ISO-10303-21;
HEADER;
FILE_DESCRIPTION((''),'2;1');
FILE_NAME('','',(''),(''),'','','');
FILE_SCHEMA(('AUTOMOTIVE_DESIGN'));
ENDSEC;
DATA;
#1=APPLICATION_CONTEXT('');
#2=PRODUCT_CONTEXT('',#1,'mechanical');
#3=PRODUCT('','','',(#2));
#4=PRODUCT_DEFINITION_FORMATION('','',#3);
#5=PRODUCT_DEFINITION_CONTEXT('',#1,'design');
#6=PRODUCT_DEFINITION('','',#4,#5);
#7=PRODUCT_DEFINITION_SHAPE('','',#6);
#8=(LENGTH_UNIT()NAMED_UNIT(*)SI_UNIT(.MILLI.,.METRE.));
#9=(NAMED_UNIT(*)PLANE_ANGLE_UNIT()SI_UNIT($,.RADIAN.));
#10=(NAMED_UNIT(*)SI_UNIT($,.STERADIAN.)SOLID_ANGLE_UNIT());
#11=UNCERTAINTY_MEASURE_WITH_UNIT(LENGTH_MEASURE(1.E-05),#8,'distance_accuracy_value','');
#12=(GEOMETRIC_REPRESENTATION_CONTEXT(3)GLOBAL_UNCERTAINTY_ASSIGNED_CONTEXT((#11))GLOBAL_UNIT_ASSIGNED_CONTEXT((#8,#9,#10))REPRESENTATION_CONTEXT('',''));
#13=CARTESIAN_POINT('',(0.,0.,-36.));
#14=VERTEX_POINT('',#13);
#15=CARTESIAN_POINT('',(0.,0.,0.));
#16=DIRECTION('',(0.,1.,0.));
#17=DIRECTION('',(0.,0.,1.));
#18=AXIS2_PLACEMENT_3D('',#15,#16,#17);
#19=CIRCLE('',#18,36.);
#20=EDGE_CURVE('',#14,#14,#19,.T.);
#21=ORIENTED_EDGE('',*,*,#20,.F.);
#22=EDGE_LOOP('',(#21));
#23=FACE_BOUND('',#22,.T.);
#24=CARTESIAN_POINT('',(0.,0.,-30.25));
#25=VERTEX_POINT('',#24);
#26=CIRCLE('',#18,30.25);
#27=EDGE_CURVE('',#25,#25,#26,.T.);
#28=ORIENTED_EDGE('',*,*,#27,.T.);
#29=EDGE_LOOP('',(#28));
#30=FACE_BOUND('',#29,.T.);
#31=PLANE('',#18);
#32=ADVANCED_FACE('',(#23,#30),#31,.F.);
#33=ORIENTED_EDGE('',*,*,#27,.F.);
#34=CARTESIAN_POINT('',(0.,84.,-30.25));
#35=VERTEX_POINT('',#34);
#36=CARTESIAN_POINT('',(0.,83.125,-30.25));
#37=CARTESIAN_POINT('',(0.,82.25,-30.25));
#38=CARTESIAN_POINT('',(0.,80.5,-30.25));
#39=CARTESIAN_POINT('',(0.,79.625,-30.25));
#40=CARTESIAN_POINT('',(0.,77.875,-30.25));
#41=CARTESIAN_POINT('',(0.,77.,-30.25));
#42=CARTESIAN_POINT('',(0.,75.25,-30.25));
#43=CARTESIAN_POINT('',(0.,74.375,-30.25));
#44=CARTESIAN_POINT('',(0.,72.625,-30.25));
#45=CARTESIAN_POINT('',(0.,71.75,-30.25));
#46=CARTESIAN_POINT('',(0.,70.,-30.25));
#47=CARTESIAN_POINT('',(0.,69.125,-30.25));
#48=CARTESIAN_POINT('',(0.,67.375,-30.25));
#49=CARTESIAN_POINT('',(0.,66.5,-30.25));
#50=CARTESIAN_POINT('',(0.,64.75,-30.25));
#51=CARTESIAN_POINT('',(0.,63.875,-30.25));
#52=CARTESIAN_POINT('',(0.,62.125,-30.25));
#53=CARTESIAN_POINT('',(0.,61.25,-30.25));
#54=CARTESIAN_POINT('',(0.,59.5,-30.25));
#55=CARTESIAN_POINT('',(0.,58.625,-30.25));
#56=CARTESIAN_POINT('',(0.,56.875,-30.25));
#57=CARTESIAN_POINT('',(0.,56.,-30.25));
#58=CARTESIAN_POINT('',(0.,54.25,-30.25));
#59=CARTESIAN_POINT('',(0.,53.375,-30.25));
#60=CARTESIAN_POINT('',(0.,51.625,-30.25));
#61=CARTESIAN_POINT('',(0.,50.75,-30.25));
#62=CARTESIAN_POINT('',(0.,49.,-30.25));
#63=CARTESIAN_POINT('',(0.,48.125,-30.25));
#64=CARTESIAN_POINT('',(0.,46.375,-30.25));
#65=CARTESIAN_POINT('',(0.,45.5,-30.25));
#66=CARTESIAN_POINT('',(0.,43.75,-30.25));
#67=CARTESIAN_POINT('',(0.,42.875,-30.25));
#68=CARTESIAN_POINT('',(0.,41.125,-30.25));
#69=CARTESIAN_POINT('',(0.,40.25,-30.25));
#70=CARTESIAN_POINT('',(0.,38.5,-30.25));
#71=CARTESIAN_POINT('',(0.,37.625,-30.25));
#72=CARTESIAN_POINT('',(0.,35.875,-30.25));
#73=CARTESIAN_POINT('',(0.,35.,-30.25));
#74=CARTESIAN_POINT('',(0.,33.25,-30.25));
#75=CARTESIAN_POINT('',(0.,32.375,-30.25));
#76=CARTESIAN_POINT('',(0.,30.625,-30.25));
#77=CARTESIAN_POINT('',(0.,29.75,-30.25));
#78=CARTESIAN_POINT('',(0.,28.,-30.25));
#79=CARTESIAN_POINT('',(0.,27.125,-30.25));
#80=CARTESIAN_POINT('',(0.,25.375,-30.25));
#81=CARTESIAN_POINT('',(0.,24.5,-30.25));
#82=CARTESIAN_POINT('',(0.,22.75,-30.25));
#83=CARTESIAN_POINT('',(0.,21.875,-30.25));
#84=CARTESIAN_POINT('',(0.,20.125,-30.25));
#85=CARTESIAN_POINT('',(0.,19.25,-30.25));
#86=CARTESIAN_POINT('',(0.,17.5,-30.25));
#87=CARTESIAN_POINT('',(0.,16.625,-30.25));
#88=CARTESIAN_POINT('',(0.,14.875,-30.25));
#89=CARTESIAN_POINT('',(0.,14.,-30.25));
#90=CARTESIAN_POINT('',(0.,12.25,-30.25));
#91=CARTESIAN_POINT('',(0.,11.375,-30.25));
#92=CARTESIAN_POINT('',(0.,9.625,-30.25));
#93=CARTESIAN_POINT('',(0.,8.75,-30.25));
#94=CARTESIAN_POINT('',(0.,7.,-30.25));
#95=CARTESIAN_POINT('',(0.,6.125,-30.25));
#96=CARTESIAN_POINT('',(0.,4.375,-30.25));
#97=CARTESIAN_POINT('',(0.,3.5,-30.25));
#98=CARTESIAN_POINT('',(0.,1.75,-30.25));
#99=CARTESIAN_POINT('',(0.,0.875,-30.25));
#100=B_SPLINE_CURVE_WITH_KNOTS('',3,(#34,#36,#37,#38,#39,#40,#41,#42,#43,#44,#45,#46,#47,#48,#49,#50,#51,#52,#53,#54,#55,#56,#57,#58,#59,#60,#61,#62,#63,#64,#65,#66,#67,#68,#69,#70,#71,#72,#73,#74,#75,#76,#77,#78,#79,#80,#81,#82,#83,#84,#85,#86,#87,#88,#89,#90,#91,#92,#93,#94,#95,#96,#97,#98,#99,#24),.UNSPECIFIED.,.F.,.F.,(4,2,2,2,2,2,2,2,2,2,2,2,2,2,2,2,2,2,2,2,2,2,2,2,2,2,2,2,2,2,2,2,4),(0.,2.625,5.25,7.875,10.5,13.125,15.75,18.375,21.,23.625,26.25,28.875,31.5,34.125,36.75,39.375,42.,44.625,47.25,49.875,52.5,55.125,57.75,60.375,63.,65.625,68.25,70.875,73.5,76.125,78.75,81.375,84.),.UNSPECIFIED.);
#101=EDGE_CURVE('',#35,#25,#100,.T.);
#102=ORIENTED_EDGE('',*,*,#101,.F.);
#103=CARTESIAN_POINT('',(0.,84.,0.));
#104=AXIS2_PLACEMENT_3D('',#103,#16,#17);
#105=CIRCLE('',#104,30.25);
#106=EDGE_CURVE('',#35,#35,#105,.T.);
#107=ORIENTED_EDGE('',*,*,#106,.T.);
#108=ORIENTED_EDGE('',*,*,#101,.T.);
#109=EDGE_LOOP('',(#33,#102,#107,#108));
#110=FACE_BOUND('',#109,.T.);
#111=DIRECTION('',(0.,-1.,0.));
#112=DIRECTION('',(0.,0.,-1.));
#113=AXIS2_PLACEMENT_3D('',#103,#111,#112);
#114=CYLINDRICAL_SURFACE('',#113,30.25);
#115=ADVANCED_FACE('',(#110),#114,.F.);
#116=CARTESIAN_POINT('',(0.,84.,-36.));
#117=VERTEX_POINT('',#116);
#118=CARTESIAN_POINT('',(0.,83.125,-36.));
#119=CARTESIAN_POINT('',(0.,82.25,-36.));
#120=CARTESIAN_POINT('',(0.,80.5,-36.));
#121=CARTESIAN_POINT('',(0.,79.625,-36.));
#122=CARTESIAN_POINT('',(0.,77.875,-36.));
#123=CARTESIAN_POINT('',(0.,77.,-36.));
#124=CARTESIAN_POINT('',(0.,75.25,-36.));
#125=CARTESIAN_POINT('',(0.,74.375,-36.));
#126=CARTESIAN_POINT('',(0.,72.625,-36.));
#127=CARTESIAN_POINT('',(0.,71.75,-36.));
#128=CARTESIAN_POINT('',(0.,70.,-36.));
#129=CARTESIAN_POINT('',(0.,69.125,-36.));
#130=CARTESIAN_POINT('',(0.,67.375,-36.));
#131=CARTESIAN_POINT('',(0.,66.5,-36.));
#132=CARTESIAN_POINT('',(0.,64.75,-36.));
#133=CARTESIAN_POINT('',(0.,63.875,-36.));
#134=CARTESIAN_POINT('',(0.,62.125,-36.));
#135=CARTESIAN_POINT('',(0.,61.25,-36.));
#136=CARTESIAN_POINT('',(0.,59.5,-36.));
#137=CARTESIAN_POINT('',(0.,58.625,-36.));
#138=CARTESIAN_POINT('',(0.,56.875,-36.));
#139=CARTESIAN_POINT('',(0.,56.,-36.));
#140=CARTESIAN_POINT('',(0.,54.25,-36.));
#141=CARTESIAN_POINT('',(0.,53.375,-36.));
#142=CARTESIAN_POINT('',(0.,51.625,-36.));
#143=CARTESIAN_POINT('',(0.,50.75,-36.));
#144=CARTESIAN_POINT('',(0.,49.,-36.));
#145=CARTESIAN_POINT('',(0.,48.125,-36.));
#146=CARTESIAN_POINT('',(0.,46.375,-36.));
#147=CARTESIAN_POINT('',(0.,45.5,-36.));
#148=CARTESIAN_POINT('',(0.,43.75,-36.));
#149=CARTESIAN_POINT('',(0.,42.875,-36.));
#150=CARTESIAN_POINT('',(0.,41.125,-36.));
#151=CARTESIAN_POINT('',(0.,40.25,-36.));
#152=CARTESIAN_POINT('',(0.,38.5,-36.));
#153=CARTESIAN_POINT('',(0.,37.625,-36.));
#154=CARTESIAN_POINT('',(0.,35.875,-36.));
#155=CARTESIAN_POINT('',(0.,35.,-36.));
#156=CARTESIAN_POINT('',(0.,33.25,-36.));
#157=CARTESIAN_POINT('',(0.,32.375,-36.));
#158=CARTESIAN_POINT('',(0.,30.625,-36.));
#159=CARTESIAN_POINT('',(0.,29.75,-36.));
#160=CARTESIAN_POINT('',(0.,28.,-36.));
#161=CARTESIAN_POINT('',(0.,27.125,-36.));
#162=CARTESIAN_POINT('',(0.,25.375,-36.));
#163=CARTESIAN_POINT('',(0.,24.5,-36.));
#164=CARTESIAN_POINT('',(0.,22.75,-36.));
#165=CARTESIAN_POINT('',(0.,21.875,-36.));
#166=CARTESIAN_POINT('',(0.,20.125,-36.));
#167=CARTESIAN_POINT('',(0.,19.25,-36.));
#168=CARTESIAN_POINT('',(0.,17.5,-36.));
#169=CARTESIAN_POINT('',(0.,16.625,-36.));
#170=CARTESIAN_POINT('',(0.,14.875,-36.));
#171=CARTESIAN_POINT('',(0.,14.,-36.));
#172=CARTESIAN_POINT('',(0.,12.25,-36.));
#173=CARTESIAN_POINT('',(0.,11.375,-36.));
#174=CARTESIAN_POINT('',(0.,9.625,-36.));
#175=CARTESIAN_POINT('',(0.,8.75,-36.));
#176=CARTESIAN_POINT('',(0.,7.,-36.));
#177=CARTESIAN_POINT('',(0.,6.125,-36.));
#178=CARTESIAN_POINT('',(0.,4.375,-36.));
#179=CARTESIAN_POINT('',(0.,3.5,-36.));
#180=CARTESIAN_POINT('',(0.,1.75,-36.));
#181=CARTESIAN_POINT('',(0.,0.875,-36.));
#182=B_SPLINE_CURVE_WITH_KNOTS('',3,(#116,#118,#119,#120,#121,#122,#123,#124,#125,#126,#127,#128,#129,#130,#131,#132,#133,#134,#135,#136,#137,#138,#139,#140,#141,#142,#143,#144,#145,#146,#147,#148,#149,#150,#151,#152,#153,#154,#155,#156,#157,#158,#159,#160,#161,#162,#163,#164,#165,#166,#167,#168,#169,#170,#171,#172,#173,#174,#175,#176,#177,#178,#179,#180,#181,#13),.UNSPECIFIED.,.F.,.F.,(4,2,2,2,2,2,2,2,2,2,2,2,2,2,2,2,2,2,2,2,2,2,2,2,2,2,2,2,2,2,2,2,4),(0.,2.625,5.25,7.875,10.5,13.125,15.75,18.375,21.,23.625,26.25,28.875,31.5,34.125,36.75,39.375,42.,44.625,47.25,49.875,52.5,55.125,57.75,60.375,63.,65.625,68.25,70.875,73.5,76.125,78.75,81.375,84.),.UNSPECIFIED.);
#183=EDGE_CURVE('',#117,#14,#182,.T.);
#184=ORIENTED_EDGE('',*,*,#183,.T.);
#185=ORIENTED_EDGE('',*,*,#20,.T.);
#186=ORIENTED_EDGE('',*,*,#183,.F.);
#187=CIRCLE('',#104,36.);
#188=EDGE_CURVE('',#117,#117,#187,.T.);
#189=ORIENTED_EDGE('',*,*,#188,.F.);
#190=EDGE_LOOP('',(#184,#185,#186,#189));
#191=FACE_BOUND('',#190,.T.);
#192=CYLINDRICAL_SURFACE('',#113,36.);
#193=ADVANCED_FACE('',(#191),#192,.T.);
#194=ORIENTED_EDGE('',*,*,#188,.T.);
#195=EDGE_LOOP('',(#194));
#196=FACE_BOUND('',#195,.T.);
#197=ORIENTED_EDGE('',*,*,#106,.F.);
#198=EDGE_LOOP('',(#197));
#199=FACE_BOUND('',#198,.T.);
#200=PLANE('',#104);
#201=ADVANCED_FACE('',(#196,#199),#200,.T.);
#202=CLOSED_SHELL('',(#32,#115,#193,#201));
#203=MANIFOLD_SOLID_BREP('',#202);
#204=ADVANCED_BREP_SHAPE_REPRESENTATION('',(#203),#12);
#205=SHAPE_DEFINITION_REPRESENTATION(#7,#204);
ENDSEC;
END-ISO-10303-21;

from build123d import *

# Parameters (mm, degrees)
SKETCH_1_R      = 36
SKETCH_1_R_2    = 30.25
EXTRUDE_1_DEPTH = 84


with BuildPart() as part:
    # 스케치1 → 보스-돌출1 (new body)
    with BuildSketch(Plane(origin=(0, 0, 0), x_dir=(1, 0, 0), z_dir=(0, 1, 0))):
        with Locations(Location((0, 0, 0), (0, 0, 90))):
            Circle(SKETCH_1_R)
        with Locations(Location((0, 0, 0), (0, 0, 90))):
            Circle(SKETCH_1_R_2, mode=Mode.SUBTRACT)
    extrude(amount=EXTRUDE_1_DEPTH)


solid = part.part
